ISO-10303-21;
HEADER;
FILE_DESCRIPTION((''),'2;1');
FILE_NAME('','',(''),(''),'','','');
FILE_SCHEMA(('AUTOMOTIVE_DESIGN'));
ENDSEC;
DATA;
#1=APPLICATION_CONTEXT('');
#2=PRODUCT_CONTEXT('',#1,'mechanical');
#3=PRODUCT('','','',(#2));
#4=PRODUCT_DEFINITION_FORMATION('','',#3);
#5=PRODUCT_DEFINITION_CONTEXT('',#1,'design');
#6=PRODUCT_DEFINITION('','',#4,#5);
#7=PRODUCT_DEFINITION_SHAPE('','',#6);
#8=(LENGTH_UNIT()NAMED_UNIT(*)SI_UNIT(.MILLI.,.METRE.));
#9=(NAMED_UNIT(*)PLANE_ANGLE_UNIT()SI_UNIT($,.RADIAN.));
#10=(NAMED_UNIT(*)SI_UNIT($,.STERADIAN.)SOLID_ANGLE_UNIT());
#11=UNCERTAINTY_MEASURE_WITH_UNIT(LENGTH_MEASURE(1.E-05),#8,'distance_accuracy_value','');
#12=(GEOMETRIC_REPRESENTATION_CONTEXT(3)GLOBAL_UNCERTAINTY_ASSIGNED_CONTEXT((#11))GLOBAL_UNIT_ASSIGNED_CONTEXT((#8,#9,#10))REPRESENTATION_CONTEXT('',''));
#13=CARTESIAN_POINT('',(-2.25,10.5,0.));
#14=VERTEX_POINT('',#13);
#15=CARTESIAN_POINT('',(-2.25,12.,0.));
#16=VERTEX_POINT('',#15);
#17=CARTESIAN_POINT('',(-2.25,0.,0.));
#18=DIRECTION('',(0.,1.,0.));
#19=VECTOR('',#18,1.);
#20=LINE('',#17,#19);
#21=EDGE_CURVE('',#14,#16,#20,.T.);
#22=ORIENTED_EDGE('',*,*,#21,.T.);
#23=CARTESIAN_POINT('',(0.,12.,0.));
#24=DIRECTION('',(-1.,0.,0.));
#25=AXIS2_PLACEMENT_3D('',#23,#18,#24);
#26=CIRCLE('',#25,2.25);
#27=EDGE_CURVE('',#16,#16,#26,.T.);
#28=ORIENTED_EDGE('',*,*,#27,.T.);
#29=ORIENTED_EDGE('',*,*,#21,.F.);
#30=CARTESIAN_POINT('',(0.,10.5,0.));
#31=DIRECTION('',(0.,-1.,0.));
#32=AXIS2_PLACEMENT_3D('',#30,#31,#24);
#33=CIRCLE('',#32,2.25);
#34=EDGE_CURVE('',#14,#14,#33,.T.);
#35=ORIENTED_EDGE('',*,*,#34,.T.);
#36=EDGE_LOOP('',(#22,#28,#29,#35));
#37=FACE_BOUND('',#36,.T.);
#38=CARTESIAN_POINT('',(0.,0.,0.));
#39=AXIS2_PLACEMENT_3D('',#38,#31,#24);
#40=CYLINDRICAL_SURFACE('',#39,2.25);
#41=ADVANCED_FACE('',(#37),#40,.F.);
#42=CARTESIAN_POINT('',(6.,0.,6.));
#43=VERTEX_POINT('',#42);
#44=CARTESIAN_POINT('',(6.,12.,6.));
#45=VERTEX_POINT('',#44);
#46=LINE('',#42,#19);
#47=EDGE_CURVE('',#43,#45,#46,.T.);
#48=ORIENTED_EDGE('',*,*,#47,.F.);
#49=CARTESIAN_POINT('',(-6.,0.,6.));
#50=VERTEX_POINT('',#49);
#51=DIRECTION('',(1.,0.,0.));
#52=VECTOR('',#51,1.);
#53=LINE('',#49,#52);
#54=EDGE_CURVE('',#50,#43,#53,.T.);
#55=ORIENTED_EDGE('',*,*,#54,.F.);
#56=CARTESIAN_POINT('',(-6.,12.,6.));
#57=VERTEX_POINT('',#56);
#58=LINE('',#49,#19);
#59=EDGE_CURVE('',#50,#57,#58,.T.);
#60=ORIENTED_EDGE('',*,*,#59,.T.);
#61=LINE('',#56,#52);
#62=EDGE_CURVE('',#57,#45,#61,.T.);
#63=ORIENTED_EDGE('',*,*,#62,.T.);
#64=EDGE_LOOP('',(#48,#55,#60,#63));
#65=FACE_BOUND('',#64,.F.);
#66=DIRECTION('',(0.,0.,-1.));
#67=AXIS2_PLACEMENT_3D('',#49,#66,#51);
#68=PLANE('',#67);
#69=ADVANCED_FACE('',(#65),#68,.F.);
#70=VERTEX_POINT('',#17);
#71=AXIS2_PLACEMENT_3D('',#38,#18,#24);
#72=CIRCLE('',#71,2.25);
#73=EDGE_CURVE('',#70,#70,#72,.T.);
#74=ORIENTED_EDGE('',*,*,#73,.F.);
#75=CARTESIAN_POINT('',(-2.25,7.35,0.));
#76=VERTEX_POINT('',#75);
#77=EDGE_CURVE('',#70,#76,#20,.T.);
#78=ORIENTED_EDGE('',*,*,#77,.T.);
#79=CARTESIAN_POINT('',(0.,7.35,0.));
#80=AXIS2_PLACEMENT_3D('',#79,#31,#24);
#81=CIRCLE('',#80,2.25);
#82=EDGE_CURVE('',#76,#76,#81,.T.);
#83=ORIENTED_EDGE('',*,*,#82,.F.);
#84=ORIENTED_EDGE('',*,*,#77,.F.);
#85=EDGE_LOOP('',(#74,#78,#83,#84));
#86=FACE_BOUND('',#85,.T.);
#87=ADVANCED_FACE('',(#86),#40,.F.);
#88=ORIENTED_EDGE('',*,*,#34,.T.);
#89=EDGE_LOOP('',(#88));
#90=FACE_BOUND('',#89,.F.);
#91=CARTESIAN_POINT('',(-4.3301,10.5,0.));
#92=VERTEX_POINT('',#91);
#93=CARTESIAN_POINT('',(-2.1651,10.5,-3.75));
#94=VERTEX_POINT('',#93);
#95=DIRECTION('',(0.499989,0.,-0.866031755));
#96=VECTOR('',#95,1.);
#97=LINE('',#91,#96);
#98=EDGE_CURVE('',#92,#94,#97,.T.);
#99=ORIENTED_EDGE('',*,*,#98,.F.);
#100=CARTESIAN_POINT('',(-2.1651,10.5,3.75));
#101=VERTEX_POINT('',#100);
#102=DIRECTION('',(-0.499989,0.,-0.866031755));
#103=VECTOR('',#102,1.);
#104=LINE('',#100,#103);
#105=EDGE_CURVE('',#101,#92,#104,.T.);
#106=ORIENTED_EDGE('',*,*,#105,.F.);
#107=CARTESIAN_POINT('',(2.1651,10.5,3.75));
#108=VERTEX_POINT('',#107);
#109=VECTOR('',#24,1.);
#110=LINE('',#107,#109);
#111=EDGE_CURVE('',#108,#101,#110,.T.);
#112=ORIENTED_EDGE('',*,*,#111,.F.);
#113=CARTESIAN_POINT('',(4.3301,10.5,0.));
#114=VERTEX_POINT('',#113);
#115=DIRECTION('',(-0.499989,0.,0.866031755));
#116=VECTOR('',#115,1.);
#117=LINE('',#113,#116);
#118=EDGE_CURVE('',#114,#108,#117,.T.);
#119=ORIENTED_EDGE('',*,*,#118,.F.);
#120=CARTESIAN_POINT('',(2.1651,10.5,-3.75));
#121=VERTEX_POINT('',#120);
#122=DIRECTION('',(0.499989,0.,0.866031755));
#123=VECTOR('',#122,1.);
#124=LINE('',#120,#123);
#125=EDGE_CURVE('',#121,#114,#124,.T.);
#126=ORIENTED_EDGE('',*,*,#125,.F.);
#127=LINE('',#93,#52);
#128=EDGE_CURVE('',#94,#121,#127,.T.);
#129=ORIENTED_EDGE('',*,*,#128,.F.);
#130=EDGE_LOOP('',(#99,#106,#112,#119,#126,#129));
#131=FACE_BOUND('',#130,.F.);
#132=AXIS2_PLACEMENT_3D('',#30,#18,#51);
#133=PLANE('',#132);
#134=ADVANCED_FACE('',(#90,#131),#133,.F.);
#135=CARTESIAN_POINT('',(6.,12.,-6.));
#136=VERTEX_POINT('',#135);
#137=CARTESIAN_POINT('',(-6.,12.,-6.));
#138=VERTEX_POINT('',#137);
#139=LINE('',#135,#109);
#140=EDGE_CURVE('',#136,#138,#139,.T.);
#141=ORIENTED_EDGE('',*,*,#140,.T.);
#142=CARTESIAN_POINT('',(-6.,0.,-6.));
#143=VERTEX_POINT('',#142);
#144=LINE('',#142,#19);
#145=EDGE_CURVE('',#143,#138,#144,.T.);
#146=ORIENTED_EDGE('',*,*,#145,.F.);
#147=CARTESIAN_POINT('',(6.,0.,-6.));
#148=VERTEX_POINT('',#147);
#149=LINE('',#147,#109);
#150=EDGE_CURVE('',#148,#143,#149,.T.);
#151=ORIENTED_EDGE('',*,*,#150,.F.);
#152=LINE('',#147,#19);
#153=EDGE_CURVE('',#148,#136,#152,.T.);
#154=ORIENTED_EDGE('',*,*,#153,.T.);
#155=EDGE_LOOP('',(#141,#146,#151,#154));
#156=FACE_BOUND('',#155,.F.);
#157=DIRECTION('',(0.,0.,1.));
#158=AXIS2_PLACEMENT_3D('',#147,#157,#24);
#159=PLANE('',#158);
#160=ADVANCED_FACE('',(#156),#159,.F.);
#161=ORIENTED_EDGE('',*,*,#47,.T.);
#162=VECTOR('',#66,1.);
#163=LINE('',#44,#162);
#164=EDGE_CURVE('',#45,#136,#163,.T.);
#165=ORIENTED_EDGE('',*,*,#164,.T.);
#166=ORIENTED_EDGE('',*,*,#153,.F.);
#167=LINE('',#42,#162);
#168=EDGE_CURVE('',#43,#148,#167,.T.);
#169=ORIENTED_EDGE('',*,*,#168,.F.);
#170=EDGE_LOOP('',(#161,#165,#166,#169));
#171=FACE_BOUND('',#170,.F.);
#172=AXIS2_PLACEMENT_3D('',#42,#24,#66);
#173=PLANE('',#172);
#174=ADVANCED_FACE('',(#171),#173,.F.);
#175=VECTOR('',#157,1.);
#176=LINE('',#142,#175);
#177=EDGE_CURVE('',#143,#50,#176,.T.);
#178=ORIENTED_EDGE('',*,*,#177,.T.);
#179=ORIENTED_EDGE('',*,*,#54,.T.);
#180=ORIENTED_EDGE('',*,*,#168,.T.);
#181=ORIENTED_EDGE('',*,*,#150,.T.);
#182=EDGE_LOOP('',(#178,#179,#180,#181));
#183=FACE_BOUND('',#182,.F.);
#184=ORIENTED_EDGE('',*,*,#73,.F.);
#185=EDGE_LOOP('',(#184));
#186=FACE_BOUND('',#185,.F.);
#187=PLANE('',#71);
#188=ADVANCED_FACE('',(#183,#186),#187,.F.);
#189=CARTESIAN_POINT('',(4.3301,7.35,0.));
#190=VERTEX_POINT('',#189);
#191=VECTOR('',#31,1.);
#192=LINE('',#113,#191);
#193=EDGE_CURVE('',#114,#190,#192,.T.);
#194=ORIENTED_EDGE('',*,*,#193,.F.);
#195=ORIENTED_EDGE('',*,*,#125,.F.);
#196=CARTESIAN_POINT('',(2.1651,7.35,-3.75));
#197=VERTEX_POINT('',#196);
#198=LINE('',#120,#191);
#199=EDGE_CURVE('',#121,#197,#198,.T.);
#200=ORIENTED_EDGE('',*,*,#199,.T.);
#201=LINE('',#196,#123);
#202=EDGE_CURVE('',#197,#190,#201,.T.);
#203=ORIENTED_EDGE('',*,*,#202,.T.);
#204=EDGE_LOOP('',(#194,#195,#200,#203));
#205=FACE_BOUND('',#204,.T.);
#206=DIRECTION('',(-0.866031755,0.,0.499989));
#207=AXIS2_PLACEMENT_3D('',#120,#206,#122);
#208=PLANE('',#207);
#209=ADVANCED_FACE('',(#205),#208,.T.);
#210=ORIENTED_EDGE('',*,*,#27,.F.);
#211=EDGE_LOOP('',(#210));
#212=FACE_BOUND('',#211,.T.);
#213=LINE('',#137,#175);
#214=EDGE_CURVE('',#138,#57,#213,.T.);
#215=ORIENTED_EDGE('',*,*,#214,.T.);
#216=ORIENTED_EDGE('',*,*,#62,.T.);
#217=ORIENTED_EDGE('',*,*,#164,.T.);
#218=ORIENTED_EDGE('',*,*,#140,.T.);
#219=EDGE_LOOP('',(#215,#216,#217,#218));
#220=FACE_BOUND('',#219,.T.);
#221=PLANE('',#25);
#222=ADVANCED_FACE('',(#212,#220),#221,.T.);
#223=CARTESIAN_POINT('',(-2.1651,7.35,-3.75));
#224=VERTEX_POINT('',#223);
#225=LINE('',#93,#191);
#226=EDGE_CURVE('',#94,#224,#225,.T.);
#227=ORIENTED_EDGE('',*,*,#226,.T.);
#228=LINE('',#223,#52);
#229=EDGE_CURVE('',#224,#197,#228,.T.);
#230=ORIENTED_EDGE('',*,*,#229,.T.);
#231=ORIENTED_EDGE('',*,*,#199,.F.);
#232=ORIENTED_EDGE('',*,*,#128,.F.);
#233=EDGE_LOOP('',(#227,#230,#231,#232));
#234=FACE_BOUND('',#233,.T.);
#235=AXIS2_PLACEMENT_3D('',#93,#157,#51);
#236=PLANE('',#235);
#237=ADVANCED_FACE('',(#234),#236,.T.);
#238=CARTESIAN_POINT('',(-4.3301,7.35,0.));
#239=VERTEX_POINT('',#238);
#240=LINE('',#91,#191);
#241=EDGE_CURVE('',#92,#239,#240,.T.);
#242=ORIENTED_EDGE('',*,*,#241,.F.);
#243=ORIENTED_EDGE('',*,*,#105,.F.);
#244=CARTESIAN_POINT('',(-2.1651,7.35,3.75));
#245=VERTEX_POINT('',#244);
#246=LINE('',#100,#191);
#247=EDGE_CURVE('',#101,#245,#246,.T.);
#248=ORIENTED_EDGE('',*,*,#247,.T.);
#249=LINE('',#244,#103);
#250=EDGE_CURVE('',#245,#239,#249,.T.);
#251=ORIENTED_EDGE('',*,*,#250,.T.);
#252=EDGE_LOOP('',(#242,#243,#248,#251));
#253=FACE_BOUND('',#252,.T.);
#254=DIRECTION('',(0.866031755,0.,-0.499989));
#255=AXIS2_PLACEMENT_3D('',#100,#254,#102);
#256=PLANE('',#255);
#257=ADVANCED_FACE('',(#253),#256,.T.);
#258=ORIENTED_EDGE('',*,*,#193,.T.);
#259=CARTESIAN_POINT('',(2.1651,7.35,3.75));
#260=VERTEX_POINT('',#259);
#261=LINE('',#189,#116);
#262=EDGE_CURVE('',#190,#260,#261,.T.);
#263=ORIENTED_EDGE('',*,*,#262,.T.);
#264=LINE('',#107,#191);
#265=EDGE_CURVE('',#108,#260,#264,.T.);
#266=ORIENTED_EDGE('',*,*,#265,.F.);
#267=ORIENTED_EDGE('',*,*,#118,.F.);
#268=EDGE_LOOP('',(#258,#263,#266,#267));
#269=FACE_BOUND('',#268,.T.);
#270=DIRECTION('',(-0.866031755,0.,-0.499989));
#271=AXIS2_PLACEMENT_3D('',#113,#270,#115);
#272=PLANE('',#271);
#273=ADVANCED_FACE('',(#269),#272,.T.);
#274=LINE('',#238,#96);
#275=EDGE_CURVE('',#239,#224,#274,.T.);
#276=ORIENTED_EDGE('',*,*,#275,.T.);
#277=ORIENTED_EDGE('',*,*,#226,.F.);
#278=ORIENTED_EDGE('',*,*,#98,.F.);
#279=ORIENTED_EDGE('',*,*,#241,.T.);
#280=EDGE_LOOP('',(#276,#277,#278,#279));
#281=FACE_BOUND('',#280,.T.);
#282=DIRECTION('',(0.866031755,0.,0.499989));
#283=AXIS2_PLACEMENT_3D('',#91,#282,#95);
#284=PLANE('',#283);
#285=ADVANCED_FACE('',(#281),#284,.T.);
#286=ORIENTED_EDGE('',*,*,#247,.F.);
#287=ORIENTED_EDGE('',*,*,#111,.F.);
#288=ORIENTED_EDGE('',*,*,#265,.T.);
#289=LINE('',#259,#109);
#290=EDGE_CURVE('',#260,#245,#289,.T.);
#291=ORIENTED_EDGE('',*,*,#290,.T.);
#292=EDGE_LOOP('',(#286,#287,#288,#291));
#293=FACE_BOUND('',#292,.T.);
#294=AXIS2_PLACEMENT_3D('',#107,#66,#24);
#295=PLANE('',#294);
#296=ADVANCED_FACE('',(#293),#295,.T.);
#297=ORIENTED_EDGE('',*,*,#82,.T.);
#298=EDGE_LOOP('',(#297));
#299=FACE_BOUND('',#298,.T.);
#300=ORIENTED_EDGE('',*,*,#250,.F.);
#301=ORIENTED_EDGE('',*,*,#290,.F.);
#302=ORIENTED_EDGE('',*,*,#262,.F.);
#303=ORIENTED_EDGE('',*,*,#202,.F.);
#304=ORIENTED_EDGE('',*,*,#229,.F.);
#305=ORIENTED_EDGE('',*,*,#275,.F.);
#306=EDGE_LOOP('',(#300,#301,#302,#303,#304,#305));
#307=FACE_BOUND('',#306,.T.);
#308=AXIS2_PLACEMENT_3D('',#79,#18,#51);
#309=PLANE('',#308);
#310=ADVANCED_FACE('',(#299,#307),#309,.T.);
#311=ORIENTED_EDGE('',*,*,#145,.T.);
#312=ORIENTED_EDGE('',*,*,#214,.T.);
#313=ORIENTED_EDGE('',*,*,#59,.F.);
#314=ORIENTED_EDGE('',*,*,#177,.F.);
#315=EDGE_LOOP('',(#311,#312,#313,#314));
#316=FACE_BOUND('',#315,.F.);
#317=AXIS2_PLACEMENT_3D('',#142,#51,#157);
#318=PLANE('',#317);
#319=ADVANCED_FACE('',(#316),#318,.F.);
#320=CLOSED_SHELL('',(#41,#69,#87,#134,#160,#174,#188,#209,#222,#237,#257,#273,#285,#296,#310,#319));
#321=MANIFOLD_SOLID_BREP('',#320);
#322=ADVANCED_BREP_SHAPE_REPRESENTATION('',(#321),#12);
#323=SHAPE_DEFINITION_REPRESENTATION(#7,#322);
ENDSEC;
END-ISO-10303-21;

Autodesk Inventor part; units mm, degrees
ref_plane "YZ Plane" through (0, 0, 0) normal (1, 0, 0) x (0, 1, 0)
ref_plane "XZ Plane" through (0, 0, 0) normal (0, 1, 0) x (-1, 0, 0)
ref_plane "XY Plane" through (0, 0, 0) normal (0, 0, 1) x (1, 0, 0)
sketch "Sketch1" plane through (0, 0, 0) normal (0, 1, 0) x (-1, 0, 0)
  line L0 (6, 6) -> (-6, 6)
  line L1 (-6, 6) -> (-6, -6)
  line L2 (-6, -6) -> (6, -6)
  line L3 (6, -6) -> (6, 6)
  circle A0 centre (0, 0) radius 2.25
  dimension "d0" = 4.5
  dimension "d1" = 6
  dimension "d2" = 6
  dimension "d3" = 6
  dimension "d4" = 6
extrude "Extrusion1" add sketch "Sketch1" along normal blind 12
ref_plane "Work Plane1" through (0, 10.5, 0) normal (0, 1, 0) x (1, 0, 0)
sketch "Sketch2" plane through (0, 10.5, 0) normal (0, 1, 0) x (1, 0, 0)
  line L0 (-2.1651, 3.75) -> (2.1651, 3.75)
  line L1 (2.1651, 3.75) -> (4.3301, 0)
  line L2 (4.3301, 0) -> (2.1651, -3.75)
  line L3 (2.1651, -3.75) -> (-2.1651, -3.75)
  line L4 (-2.1651, -3.75) -> (-4.3301, 0)
  line L5 (-4.3301, 0) -> (-2.1651, 3.75)
  line L6 (6, 6) -> (-6, 6) projected
  point P0 (0, 0)
  point P1 (0, 0)
  dimension "d8" = 7.5
extrude "Extrusion2" cut sketch "Sketch2" against normal blind 3.15
properties part number "Prova dado"
